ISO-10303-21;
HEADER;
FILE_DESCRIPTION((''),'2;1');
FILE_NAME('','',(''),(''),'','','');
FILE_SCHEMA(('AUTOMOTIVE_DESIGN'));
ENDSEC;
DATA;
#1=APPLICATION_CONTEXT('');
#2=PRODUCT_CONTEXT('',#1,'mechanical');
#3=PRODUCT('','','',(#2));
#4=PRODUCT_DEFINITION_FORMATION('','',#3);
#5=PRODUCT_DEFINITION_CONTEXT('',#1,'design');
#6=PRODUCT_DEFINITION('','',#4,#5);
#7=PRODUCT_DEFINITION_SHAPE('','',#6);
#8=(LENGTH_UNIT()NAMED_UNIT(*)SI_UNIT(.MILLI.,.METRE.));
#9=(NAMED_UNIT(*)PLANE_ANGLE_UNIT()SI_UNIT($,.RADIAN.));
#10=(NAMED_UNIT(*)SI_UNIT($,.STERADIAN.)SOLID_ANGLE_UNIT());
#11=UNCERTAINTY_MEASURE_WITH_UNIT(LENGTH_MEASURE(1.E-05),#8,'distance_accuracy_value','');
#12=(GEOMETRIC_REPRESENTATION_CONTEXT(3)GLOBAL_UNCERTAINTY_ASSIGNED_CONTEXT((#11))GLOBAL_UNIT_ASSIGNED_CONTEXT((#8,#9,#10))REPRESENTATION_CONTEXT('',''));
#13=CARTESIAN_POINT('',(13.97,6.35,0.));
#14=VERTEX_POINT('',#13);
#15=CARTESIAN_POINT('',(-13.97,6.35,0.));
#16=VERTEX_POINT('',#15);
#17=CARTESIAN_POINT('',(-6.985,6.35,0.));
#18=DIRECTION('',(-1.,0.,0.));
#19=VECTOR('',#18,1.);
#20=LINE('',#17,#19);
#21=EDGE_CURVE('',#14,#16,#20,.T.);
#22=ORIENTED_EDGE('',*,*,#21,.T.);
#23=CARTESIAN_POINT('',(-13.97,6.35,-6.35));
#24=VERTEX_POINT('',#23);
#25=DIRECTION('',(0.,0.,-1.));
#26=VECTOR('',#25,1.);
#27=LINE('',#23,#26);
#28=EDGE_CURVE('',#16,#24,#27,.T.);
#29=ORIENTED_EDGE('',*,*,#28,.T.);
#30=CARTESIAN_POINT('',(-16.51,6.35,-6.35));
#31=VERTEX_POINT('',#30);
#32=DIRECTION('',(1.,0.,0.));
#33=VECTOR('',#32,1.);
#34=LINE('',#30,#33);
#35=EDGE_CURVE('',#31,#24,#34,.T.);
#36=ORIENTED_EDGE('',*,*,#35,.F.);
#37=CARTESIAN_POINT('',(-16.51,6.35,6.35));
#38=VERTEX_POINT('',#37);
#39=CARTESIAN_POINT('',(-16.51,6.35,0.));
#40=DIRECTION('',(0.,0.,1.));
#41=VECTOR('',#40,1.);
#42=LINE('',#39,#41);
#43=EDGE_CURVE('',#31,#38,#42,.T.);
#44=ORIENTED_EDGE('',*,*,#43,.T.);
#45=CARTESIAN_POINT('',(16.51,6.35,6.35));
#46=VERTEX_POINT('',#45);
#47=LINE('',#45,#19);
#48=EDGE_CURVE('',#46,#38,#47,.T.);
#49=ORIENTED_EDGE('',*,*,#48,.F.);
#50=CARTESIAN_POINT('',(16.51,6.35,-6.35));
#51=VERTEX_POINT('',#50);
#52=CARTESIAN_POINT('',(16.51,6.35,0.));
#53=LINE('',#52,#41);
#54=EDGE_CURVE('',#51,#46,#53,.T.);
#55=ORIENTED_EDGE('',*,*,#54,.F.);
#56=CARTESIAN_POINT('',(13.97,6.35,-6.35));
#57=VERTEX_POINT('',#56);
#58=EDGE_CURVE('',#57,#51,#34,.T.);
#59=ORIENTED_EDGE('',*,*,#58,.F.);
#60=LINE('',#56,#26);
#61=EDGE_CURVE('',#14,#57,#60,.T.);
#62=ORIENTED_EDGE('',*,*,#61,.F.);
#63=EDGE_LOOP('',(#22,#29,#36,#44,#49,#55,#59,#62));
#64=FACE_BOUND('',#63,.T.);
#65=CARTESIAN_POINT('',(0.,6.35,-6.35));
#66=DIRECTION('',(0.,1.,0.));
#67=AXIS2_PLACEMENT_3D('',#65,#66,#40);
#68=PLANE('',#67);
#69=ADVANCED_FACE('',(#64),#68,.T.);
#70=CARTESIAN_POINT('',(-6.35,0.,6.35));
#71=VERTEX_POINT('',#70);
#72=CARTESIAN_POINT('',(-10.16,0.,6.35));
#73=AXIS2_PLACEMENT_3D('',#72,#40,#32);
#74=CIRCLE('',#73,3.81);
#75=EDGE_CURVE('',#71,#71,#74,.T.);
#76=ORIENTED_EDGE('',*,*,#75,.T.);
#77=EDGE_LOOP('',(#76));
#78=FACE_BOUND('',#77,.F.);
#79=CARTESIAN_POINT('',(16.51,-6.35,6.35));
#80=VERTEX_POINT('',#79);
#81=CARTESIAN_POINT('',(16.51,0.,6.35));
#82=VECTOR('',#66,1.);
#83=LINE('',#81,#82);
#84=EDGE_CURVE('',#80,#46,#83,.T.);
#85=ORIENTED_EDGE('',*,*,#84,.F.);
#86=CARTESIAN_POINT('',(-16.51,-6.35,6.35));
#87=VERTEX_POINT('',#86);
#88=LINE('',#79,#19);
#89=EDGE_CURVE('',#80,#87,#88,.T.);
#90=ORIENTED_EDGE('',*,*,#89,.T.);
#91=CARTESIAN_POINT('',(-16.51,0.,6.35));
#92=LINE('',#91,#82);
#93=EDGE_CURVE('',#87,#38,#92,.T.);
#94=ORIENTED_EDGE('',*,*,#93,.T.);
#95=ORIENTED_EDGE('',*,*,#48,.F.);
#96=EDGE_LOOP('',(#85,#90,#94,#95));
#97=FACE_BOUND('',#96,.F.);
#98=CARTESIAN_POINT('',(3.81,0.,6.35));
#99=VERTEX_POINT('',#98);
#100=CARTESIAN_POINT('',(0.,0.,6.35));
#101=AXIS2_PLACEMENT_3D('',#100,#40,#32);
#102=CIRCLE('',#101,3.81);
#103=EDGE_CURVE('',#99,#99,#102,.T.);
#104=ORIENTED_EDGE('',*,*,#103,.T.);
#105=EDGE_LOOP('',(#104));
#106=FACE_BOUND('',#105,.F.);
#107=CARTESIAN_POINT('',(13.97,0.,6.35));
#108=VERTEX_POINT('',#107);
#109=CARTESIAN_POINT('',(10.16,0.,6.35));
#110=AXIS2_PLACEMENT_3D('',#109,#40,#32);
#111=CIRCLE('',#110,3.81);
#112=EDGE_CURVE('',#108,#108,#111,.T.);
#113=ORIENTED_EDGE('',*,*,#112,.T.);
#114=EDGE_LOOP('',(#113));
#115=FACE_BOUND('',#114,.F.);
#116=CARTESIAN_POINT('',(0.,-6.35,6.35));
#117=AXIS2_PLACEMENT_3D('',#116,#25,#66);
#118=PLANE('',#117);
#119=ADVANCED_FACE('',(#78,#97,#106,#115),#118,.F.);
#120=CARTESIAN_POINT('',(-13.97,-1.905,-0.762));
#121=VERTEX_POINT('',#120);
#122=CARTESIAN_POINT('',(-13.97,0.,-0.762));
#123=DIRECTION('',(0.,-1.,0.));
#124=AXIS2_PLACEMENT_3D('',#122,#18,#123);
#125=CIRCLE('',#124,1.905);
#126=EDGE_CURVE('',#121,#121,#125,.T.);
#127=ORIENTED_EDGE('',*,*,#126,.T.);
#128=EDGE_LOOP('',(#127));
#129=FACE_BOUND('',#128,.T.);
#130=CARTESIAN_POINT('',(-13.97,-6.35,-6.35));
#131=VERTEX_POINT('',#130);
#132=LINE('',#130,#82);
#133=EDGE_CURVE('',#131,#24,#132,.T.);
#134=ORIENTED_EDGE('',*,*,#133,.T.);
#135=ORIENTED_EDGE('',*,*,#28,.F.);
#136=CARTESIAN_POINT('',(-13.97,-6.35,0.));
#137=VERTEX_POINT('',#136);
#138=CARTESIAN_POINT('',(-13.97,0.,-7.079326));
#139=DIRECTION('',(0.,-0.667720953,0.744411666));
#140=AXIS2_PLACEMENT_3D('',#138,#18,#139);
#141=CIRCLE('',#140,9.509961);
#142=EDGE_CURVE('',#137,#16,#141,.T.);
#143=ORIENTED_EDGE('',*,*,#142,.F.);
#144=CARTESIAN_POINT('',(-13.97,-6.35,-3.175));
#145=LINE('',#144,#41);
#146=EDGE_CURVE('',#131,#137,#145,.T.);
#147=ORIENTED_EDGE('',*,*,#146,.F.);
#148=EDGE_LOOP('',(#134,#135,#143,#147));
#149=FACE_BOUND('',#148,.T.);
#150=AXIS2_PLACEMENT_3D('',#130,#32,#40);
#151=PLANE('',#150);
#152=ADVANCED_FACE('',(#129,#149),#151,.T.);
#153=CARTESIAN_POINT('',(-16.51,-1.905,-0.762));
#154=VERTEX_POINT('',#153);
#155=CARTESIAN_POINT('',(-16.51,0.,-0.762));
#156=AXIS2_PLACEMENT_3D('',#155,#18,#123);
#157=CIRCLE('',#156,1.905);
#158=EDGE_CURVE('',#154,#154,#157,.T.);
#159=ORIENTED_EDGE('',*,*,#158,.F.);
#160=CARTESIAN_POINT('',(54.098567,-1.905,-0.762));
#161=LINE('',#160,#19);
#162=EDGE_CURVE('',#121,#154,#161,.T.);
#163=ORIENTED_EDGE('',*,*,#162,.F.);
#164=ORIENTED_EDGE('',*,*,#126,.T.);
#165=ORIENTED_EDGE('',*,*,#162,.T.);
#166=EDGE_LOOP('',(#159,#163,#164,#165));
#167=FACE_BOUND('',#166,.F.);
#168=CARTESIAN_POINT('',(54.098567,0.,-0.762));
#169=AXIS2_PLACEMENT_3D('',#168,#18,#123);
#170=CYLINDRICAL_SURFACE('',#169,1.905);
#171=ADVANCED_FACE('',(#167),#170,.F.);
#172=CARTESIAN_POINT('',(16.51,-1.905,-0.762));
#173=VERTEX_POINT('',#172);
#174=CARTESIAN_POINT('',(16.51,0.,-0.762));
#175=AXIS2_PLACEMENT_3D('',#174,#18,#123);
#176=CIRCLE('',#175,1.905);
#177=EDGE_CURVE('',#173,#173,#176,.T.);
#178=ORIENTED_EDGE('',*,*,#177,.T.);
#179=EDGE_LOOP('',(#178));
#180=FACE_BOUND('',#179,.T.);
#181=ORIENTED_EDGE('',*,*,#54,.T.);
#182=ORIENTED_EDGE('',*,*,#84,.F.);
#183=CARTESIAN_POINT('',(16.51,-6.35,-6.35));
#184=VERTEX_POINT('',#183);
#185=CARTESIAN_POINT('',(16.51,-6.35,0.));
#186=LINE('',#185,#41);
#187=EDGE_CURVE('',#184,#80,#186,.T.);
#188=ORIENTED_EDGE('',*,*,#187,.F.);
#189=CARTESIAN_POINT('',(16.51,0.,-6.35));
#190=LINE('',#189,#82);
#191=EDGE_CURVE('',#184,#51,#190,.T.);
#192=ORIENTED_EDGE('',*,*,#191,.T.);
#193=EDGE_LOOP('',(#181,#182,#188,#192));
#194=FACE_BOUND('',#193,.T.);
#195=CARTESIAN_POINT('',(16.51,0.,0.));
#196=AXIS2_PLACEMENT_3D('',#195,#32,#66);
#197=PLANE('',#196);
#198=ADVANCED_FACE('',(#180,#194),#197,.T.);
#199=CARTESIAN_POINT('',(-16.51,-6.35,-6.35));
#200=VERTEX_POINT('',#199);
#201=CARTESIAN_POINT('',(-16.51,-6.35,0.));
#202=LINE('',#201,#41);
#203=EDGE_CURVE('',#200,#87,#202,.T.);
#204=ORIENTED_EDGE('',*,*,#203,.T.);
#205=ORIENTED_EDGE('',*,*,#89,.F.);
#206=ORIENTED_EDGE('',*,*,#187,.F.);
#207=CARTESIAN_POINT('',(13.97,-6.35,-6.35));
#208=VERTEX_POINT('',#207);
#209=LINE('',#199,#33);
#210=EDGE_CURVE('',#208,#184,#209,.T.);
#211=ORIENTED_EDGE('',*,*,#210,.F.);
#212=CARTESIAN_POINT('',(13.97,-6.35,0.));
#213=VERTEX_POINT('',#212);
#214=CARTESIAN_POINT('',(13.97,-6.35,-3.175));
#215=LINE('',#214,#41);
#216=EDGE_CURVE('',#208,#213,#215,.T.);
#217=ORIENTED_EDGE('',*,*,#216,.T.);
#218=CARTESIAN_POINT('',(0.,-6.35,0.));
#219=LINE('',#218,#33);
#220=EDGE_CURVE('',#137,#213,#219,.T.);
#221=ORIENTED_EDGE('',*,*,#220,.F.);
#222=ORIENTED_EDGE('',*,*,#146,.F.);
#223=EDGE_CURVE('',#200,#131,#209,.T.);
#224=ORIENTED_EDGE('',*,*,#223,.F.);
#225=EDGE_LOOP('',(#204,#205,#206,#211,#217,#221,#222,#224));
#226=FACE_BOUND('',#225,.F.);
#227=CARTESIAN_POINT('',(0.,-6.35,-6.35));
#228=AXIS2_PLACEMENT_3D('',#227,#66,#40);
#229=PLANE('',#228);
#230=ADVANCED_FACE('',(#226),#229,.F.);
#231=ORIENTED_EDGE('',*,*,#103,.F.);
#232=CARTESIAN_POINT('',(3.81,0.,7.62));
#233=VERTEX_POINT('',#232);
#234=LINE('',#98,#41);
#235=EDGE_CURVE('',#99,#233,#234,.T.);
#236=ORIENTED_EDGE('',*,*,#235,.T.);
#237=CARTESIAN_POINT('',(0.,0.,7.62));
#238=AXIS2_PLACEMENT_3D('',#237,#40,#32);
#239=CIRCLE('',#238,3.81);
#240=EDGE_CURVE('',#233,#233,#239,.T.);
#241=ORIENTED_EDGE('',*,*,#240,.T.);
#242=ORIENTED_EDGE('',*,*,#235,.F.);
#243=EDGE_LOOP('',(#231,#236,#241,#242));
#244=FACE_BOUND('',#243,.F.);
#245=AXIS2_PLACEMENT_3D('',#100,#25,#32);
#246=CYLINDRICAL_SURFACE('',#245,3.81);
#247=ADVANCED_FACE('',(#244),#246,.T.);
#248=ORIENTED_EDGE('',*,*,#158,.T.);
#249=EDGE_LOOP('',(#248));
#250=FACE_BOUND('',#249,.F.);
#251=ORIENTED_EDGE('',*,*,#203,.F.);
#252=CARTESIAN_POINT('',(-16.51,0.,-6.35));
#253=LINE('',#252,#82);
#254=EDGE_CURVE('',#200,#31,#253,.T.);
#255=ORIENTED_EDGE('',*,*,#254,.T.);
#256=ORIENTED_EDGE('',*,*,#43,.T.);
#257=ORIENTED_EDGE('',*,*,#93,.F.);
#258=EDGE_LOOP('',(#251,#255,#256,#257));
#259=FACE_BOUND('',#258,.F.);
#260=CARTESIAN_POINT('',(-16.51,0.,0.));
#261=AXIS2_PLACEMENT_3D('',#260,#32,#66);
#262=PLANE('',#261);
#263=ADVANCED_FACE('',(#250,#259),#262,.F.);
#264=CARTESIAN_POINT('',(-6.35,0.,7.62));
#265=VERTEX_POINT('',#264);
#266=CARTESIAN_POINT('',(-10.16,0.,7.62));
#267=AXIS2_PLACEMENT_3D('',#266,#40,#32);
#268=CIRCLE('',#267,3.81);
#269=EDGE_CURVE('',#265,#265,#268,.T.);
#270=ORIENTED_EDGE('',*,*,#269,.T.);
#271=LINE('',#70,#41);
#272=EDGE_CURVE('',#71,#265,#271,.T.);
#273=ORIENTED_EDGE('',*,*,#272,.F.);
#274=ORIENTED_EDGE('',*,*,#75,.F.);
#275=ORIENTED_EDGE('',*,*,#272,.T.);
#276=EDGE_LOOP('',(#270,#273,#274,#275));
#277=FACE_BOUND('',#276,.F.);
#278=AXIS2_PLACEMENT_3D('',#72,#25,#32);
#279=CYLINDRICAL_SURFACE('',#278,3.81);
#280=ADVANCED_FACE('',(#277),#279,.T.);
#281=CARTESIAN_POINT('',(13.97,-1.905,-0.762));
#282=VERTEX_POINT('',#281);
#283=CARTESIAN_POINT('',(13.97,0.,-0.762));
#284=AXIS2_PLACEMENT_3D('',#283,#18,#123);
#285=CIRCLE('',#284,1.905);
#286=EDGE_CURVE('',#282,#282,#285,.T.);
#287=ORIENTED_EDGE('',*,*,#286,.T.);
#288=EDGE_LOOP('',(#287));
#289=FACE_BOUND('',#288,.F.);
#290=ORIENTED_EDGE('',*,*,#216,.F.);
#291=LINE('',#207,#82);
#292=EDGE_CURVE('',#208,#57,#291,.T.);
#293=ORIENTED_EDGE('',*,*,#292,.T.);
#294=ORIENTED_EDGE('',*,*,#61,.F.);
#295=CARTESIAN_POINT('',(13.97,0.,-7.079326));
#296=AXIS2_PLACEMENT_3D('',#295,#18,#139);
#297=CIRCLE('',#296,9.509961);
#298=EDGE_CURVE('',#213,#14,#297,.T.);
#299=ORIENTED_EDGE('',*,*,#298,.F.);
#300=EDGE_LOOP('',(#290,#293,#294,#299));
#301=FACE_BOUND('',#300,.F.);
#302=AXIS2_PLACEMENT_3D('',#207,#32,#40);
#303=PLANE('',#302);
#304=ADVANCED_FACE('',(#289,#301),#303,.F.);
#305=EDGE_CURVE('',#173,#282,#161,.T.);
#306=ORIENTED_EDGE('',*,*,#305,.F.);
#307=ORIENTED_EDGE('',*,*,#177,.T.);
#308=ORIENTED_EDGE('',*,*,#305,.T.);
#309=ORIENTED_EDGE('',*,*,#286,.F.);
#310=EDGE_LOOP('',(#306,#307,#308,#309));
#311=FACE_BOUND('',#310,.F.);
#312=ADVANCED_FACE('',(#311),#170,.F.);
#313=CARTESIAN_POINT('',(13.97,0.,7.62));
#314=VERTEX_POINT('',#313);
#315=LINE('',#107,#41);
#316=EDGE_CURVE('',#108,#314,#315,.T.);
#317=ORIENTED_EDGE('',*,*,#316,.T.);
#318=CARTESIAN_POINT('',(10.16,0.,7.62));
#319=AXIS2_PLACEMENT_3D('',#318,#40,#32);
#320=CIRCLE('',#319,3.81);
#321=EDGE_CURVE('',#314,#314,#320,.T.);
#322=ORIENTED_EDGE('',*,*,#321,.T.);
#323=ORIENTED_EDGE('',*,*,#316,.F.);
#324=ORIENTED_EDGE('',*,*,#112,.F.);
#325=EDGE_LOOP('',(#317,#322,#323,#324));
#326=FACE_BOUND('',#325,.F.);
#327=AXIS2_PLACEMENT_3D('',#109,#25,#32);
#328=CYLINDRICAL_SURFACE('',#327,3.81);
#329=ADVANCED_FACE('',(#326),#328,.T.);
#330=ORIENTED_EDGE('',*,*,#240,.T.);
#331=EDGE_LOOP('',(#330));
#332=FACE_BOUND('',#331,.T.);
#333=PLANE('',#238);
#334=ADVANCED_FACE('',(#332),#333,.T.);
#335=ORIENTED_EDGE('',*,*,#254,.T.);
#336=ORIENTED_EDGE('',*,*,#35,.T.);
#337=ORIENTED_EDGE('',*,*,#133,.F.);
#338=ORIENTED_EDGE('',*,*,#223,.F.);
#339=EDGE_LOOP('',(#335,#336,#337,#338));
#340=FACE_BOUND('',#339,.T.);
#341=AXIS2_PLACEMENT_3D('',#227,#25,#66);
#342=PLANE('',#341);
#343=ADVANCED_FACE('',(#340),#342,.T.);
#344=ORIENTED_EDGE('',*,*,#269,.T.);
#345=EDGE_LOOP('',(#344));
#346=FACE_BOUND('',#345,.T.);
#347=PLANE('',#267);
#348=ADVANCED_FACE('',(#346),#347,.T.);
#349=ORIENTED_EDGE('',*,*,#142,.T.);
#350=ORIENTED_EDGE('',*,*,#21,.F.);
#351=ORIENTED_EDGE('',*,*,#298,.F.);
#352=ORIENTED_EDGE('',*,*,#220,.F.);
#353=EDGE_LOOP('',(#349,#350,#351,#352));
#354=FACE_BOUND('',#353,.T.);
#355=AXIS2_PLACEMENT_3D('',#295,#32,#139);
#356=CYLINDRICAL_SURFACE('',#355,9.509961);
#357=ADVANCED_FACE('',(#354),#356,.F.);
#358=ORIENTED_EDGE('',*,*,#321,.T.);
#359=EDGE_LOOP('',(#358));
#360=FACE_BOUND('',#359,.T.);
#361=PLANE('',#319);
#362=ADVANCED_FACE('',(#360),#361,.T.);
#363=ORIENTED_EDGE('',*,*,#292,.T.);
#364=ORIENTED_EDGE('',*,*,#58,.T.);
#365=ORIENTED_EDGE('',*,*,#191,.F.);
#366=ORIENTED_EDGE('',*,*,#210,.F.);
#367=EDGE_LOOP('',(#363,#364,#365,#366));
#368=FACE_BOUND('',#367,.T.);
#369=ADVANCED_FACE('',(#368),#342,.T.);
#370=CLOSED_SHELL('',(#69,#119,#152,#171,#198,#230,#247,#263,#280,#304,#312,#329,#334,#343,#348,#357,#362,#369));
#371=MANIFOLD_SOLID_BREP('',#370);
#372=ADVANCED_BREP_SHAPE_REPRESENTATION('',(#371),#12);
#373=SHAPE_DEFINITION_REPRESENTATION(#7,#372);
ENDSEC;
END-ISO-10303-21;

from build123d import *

# Parameters (mm, degrees)
F0_W          = 12.7
F0_H          = 12.7
F1_DEPTH      = 16.51
F1_DEPTH_BACK = 16.51
F2_W          = 27.94
F2_H          = 6.35
F3_DEPTH      = 25.4
F5_DEPTH      = 27.94
F7_D          = 3.81
F8_R          = 3.81
F9_DEPTH      = 1.27


with BuildPart() as f1:
    # F0 (on Right) → F1 (new body, two sides)
    with BuildSketch(Plane.YZ) as f1_sk:
        Rectangle(F0_W, F0_H)
    extrude(amount=F1_DEPTH)
    extrude(f1_sk.sketch, amount=-F1_DEPTH_BACK)

    # F2 (on face) → F3 (cut)
    with BuildSketch(Plane.XZ.offset(6.35)):
        with Locations((0, -3.175)):
            Rectangle(F2_W, F2_H)
    extrude(amount=-F3_DEPTH, mode=Mode.SUBTRACT)

    # F4 (on face) → F5 (cut)
    with BuildSketch(Plane(origin=(13.97, 0, 0), x_dir=(0, -1, 0), z_dir=(-1, 0, 0))):
        with BuildLine():
            Line((-6.35, 0), (6.35, 0))
            ThreePointArc((6.35, 0), (0, 2.430635), (-6.35, 0))
        make_face()
    extrude(amount=F5_DEPTH, mode=Mode.SUBTRACT)

    # F7 (through all)
    with Locations(Plane.YZ.offset(16.51)):
        with Locations((0, -0.762)):
            Hole(F7_D / 2)

    # F8 (on face) → F9 (join)
    with BuildSketch(Plane.XY.offset(6.35)):
        with Locations((-10.16, 0)):
            Circle(F8_R)
        Circle(F8_R)
        with Locations((10.16, 0)):
            Circle(F8_R)
    extrude(amount=F9_DEPTH)


solid = f1.part
